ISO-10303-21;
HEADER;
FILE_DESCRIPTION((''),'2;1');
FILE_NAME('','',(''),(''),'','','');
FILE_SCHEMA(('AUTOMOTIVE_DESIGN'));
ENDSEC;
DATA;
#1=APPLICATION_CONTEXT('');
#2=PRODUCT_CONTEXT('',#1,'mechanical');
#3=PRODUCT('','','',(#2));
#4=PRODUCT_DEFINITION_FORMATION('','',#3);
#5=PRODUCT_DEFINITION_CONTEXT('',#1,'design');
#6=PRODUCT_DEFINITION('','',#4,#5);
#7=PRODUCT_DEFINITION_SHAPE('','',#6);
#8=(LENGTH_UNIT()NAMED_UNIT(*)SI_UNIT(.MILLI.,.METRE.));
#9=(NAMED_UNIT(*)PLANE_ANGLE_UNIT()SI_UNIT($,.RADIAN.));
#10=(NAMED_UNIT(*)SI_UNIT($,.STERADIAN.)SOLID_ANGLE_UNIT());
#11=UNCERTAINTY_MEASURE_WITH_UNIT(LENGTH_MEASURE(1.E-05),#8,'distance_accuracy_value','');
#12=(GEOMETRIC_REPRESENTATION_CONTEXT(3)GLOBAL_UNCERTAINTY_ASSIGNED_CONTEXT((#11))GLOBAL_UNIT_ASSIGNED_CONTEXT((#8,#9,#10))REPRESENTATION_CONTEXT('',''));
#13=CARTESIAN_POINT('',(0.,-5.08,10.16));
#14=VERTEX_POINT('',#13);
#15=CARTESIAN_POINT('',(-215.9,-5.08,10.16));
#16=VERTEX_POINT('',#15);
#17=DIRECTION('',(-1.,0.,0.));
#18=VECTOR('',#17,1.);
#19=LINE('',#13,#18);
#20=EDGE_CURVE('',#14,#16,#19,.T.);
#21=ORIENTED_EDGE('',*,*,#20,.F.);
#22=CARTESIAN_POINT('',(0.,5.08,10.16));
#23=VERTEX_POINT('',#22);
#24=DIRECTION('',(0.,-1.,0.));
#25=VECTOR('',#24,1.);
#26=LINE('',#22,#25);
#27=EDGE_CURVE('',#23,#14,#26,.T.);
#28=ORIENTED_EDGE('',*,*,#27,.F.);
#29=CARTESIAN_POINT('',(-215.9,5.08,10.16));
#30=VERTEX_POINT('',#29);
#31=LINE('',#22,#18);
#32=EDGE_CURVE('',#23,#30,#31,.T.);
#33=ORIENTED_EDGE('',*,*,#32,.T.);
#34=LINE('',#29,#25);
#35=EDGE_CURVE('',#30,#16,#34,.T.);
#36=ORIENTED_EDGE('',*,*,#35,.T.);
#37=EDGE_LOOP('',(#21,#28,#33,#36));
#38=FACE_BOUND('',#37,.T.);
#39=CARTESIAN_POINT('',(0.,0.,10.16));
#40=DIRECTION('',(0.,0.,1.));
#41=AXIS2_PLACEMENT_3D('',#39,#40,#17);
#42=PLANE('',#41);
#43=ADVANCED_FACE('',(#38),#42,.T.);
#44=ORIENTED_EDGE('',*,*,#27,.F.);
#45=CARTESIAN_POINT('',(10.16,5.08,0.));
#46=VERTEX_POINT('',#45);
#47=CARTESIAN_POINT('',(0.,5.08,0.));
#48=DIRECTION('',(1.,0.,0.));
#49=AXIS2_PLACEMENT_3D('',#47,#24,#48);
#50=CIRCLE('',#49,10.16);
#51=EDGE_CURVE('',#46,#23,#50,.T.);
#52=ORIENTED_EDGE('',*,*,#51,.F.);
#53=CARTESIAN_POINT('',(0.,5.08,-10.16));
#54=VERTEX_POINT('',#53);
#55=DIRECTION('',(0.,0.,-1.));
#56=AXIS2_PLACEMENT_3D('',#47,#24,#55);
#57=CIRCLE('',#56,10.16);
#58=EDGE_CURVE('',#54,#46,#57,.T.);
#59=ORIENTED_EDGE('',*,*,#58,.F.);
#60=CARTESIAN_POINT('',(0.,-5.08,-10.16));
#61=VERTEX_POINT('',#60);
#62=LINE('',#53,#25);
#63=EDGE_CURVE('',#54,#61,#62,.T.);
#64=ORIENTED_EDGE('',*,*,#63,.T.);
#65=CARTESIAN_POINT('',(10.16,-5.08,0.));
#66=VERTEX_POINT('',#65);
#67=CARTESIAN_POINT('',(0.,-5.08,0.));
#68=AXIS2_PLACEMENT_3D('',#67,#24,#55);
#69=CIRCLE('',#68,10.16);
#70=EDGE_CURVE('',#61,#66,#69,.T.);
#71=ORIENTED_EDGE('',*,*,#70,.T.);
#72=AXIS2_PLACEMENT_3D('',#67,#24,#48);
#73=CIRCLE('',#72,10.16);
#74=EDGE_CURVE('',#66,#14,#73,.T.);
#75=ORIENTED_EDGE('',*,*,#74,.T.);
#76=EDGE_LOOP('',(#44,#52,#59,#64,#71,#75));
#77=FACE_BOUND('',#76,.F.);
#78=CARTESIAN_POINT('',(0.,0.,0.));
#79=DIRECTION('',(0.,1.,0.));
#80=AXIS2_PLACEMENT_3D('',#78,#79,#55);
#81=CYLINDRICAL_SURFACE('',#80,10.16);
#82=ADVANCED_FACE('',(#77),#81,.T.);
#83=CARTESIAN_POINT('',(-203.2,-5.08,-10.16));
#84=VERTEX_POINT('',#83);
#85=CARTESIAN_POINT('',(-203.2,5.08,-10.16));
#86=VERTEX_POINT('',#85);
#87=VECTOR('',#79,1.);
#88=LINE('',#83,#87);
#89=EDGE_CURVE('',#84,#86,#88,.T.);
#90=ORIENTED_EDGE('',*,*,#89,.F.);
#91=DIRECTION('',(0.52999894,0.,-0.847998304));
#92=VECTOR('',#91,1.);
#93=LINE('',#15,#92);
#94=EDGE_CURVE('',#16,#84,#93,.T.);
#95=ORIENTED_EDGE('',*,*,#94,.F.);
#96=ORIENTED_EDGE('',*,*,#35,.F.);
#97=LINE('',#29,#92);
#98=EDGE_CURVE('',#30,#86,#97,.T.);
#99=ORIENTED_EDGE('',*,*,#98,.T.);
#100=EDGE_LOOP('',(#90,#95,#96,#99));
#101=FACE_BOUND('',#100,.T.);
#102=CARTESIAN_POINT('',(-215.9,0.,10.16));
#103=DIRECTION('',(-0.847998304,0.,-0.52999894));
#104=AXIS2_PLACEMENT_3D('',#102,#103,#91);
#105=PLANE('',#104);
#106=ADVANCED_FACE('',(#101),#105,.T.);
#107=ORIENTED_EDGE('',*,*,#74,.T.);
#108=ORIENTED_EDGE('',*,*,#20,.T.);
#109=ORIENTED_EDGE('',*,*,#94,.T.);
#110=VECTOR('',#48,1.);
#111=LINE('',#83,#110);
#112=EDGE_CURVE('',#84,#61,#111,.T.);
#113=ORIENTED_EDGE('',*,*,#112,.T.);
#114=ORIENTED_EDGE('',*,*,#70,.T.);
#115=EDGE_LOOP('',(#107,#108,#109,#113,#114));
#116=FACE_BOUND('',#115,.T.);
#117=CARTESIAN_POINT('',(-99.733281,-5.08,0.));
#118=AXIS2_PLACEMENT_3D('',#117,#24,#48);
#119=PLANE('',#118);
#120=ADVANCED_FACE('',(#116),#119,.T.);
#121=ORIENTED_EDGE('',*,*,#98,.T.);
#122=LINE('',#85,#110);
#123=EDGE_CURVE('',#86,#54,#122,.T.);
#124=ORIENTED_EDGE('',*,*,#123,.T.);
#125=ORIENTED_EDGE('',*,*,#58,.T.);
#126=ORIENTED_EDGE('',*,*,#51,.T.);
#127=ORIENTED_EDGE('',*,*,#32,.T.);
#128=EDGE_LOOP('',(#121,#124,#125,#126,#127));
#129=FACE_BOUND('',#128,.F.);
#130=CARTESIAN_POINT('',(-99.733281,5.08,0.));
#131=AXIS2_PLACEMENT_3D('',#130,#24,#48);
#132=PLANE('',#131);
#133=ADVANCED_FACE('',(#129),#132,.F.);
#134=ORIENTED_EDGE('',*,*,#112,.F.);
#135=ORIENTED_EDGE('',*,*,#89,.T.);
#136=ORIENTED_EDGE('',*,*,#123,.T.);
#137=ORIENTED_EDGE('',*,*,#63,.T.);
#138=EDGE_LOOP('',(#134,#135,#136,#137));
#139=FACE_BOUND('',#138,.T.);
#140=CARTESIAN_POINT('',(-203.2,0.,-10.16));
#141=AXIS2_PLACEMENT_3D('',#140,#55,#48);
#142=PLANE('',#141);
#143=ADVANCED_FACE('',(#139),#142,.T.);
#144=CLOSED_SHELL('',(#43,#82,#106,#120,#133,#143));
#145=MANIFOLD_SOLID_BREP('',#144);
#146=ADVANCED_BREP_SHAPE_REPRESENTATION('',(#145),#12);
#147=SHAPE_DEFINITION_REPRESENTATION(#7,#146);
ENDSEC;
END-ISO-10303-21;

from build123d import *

# Parameters (mm, degrees)
F1_DEPTH = 5.08
F2_DEPTH = 5.08


with BuildPart() as f1:
    # F0 (on Front) → F1 (new body, symmetric)
    with BuildSketch(Plane.XZ):
        with BuildLine():
            Line((0, -10.16), (0, 10.16))
            ThreePointArc((0, 10.16), (-10.16, 0), (0, -10.16))
        make_face()
        with BuildLine():
            ThreePointArc((0, -10.16), (7.1842048969, -7.1842048969), (10.16, 0))
            ThreePointArc((10.16, 0), (7.1842048969, 7.1842048969), (0, 10.16))
            Line((0, 10.16), (0, -10.16))
        make_face()
    extrude(amount=F1_DEPTH, both=True)

    # F0 (on Front) → F2 (join, symmetric)
    with BuildSketch(Plane.XZ):
        with BuildLine():
            ThreePointArc((0, -10.16), (-10.16, 0), (0, 10.16))
            Line((0, 10.16), (-203.2, 10.16))
            Line((-203.2, 10.16), (-203.2, -10.16))
            Line((-203.2, -10.16), (0, -10.16))
        make_face()
        Polygon((-203.2, -10.16), (-203.2, 10.16), (-215.9, 10.16), align=None)
    extrude(amount=F2_DEPTH, both=True)


solid = f1.part
